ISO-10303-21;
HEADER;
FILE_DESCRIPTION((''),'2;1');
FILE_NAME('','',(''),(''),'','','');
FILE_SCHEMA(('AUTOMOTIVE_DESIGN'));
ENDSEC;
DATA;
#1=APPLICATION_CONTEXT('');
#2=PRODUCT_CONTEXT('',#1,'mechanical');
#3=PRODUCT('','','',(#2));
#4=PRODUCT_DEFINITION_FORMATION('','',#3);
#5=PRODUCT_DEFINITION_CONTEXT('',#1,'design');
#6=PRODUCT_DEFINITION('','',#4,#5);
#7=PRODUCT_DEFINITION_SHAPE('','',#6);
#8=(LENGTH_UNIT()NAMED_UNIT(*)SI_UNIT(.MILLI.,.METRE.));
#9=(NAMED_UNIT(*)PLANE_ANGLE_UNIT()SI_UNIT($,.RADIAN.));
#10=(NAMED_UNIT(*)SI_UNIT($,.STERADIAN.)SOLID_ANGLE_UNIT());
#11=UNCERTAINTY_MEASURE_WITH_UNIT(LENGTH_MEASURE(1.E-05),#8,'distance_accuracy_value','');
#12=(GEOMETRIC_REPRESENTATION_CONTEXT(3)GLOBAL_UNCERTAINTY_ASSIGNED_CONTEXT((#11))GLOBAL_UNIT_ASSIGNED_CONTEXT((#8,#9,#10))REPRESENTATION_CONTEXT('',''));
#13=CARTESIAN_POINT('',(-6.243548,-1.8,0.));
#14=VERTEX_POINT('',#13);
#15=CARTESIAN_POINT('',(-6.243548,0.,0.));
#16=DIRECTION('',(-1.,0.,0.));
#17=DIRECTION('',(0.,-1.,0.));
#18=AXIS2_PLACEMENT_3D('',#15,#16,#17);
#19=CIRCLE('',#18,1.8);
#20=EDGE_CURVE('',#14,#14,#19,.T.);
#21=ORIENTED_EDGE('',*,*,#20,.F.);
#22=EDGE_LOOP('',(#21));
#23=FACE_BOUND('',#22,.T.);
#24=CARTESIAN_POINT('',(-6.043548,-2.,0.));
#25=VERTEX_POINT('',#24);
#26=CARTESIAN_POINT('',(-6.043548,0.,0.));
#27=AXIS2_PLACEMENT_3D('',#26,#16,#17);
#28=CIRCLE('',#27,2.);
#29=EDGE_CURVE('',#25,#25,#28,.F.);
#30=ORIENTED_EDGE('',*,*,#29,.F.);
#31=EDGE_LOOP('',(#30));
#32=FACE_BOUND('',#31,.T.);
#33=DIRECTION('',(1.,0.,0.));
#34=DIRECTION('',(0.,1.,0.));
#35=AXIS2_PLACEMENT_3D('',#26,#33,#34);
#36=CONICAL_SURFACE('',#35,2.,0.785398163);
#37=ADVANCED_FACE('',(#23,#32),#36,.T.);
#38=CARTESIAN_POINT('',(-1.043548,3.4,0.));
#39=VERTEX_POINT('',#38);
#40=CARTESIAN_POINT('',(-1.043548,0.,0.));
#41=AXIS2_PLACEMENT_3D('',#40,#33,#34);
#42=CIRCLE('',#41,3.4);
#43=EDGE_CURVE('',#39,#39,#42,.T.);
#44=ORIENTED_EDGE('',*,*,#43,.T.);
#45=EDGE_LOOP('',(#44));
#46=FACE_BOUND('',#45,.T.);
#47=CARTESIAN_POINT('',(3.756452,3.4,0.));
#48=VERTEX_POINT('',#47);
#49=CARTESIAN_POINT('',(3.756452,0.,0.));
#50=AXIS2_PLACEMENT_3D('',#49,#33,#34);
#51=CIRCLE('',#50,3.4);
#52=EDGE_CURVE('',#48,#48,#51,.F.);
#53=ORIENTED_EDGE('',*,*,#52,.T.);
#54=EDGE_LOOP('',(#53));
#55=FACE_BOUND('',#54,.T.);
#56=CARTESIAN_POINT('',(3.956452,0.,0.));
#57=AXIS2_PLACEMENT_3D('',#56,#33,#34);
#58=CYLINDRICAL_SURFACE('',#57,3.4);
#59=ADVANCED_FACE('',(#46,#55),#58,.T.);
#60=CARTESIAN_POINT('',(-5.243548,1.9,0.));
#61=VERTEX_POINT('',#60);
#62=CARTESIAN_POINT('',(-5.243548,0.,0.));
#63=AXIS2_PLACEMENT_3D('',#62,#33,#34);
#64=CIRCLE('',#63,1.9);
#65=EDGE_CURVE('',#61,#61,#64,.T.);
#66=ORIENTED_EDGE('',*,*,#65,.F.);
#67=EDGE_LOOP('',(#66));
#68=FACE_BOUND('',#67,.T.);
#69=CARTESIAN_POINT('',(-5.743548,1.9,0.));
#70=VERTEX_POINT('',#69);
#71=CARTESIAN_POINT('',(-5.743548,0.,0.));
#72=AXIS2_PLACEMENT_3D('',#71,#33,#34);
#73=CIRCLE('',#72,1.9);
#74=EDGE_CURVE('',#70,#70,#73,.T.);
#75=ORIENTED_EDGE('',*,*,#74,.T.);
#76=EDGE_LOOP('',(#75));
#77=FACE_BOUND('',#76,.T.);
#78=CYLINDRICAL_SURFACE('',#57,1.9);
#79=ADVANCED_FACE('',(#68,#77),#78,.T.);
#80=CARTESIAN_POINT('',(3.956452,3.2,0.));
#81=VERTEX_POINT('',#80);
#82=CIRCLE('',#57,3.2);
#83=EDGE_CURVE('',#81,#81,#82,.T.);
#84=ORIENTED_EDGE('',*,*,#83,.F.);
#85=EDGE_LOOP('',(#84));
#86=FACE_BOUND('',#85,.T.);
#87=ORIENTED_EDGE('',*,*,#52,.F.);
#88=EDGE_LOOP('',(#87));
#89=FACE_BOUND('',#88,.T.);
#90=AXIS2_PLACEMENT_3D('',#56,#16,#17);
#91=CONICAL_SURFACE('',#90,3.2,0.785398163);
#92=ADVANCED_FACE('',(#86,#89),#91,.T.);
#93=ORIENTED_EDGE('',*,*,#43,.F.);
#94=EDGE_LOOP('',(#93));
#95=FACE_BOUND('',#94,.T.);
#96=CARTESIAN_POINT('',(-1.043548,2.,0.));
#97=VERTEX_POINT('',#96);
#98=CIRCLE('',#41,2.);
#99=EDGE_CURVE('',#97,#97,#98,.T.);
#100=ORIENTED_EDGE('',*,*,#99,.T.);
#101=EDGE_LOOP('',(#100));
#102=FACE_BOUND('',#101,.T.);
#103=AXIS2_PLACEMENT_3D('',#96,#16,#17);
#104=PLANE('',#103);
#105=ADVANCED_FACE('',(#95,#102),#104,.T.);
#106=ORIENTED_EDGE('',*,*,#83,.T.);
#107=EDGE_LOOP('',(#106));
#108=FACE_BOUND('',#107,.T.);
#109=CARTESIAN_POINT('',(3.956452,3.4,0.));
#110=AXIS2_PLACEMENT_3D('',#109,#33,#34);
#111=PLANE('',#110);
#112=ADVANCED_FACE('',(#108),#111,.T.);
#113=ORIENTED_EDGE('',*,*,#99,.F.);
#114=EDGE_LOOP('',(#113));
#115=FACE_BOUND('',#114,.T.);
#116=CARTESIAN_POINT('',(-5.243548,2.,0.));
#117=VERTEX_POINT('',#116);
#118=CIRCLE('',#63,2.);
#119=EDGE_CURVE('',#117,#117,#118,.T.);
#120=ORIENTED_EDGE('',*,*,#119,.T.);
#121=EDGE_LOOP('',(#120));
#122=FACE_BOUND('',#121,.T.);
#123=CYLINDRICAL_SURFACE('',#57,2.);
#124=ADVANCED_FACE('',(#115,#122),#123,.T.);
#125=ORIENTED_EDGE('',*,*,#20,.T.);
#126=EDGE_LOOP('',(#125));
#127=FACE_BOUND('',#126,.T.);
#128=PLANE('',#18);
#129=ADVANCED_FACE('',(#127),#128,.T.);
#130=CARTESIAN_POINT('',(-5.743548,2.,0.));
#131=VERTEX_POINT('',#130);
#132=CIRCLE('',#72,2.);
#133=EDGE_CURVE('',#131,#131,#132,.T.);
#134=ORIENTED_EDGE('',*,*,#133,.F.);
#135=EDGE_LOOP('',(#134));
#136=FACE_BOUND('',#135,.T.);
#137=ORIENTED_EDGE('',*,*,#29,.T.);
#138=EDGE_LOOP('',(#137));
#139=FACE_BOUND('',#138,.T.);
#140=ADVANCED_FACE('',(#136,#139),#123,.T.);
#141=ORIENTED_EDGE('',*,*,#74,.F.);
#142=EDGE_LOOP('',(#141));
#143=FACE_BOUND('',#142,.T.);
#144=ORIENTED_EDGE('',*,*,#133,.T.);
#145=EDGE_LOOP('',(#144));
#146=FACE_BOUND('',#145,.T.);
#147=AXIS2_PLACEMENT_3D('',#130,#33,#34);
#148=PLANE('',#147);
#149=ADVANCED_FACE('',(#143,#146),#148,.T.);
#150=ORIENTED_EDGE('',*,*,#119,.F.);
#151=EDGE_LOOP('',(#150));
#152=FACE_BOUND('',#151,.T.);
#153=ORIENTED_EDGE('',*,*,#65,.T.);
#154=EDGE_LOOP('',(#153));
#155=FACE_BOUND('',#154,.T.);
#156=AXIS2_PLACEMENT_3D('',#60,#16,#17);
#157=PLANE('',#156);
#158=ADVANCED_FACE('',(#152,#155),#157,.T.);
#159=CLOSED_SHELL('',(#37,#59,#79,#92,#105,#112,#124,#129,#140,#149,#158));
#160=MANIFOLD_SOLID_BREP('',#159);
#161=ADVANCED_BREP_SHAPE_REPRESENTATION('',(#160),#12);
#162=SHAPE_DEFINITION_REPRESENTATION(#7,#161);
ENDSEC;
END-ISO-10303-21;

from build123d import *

# Parameters (mm, degrees)
FASE1_SIZE = 0.2


with BuildPart() as part:
    # Skizze2 → Rotation1 (revolve)
    with BuildSketch(Plane.XY):
        Polygon((3.956451613, 0), (-6.243548387, 0), (-6.243548387, 2), (-5.743548387, 2), (-5.743548387, 1.9), (-5.243548387, 1.9), (-5.243548387, 2), (-1.043548387, 2), (-1.043548387, 3.4), (3.956451613, 3.4), align=None)
    revolve(axis=Axis((3.956451613, 0, 0), (-1, 0, 0)))

    # Fase1
    fase1_edges = [part.edges().sort_by_distance(p)[0] for p in [
        (-6.243548387, -2, 0),
        (3.956451613, -3.4, 0),
    ]]
    chamfer(fase1_edges, length=FASE1_SIZE)


solid = part.part
